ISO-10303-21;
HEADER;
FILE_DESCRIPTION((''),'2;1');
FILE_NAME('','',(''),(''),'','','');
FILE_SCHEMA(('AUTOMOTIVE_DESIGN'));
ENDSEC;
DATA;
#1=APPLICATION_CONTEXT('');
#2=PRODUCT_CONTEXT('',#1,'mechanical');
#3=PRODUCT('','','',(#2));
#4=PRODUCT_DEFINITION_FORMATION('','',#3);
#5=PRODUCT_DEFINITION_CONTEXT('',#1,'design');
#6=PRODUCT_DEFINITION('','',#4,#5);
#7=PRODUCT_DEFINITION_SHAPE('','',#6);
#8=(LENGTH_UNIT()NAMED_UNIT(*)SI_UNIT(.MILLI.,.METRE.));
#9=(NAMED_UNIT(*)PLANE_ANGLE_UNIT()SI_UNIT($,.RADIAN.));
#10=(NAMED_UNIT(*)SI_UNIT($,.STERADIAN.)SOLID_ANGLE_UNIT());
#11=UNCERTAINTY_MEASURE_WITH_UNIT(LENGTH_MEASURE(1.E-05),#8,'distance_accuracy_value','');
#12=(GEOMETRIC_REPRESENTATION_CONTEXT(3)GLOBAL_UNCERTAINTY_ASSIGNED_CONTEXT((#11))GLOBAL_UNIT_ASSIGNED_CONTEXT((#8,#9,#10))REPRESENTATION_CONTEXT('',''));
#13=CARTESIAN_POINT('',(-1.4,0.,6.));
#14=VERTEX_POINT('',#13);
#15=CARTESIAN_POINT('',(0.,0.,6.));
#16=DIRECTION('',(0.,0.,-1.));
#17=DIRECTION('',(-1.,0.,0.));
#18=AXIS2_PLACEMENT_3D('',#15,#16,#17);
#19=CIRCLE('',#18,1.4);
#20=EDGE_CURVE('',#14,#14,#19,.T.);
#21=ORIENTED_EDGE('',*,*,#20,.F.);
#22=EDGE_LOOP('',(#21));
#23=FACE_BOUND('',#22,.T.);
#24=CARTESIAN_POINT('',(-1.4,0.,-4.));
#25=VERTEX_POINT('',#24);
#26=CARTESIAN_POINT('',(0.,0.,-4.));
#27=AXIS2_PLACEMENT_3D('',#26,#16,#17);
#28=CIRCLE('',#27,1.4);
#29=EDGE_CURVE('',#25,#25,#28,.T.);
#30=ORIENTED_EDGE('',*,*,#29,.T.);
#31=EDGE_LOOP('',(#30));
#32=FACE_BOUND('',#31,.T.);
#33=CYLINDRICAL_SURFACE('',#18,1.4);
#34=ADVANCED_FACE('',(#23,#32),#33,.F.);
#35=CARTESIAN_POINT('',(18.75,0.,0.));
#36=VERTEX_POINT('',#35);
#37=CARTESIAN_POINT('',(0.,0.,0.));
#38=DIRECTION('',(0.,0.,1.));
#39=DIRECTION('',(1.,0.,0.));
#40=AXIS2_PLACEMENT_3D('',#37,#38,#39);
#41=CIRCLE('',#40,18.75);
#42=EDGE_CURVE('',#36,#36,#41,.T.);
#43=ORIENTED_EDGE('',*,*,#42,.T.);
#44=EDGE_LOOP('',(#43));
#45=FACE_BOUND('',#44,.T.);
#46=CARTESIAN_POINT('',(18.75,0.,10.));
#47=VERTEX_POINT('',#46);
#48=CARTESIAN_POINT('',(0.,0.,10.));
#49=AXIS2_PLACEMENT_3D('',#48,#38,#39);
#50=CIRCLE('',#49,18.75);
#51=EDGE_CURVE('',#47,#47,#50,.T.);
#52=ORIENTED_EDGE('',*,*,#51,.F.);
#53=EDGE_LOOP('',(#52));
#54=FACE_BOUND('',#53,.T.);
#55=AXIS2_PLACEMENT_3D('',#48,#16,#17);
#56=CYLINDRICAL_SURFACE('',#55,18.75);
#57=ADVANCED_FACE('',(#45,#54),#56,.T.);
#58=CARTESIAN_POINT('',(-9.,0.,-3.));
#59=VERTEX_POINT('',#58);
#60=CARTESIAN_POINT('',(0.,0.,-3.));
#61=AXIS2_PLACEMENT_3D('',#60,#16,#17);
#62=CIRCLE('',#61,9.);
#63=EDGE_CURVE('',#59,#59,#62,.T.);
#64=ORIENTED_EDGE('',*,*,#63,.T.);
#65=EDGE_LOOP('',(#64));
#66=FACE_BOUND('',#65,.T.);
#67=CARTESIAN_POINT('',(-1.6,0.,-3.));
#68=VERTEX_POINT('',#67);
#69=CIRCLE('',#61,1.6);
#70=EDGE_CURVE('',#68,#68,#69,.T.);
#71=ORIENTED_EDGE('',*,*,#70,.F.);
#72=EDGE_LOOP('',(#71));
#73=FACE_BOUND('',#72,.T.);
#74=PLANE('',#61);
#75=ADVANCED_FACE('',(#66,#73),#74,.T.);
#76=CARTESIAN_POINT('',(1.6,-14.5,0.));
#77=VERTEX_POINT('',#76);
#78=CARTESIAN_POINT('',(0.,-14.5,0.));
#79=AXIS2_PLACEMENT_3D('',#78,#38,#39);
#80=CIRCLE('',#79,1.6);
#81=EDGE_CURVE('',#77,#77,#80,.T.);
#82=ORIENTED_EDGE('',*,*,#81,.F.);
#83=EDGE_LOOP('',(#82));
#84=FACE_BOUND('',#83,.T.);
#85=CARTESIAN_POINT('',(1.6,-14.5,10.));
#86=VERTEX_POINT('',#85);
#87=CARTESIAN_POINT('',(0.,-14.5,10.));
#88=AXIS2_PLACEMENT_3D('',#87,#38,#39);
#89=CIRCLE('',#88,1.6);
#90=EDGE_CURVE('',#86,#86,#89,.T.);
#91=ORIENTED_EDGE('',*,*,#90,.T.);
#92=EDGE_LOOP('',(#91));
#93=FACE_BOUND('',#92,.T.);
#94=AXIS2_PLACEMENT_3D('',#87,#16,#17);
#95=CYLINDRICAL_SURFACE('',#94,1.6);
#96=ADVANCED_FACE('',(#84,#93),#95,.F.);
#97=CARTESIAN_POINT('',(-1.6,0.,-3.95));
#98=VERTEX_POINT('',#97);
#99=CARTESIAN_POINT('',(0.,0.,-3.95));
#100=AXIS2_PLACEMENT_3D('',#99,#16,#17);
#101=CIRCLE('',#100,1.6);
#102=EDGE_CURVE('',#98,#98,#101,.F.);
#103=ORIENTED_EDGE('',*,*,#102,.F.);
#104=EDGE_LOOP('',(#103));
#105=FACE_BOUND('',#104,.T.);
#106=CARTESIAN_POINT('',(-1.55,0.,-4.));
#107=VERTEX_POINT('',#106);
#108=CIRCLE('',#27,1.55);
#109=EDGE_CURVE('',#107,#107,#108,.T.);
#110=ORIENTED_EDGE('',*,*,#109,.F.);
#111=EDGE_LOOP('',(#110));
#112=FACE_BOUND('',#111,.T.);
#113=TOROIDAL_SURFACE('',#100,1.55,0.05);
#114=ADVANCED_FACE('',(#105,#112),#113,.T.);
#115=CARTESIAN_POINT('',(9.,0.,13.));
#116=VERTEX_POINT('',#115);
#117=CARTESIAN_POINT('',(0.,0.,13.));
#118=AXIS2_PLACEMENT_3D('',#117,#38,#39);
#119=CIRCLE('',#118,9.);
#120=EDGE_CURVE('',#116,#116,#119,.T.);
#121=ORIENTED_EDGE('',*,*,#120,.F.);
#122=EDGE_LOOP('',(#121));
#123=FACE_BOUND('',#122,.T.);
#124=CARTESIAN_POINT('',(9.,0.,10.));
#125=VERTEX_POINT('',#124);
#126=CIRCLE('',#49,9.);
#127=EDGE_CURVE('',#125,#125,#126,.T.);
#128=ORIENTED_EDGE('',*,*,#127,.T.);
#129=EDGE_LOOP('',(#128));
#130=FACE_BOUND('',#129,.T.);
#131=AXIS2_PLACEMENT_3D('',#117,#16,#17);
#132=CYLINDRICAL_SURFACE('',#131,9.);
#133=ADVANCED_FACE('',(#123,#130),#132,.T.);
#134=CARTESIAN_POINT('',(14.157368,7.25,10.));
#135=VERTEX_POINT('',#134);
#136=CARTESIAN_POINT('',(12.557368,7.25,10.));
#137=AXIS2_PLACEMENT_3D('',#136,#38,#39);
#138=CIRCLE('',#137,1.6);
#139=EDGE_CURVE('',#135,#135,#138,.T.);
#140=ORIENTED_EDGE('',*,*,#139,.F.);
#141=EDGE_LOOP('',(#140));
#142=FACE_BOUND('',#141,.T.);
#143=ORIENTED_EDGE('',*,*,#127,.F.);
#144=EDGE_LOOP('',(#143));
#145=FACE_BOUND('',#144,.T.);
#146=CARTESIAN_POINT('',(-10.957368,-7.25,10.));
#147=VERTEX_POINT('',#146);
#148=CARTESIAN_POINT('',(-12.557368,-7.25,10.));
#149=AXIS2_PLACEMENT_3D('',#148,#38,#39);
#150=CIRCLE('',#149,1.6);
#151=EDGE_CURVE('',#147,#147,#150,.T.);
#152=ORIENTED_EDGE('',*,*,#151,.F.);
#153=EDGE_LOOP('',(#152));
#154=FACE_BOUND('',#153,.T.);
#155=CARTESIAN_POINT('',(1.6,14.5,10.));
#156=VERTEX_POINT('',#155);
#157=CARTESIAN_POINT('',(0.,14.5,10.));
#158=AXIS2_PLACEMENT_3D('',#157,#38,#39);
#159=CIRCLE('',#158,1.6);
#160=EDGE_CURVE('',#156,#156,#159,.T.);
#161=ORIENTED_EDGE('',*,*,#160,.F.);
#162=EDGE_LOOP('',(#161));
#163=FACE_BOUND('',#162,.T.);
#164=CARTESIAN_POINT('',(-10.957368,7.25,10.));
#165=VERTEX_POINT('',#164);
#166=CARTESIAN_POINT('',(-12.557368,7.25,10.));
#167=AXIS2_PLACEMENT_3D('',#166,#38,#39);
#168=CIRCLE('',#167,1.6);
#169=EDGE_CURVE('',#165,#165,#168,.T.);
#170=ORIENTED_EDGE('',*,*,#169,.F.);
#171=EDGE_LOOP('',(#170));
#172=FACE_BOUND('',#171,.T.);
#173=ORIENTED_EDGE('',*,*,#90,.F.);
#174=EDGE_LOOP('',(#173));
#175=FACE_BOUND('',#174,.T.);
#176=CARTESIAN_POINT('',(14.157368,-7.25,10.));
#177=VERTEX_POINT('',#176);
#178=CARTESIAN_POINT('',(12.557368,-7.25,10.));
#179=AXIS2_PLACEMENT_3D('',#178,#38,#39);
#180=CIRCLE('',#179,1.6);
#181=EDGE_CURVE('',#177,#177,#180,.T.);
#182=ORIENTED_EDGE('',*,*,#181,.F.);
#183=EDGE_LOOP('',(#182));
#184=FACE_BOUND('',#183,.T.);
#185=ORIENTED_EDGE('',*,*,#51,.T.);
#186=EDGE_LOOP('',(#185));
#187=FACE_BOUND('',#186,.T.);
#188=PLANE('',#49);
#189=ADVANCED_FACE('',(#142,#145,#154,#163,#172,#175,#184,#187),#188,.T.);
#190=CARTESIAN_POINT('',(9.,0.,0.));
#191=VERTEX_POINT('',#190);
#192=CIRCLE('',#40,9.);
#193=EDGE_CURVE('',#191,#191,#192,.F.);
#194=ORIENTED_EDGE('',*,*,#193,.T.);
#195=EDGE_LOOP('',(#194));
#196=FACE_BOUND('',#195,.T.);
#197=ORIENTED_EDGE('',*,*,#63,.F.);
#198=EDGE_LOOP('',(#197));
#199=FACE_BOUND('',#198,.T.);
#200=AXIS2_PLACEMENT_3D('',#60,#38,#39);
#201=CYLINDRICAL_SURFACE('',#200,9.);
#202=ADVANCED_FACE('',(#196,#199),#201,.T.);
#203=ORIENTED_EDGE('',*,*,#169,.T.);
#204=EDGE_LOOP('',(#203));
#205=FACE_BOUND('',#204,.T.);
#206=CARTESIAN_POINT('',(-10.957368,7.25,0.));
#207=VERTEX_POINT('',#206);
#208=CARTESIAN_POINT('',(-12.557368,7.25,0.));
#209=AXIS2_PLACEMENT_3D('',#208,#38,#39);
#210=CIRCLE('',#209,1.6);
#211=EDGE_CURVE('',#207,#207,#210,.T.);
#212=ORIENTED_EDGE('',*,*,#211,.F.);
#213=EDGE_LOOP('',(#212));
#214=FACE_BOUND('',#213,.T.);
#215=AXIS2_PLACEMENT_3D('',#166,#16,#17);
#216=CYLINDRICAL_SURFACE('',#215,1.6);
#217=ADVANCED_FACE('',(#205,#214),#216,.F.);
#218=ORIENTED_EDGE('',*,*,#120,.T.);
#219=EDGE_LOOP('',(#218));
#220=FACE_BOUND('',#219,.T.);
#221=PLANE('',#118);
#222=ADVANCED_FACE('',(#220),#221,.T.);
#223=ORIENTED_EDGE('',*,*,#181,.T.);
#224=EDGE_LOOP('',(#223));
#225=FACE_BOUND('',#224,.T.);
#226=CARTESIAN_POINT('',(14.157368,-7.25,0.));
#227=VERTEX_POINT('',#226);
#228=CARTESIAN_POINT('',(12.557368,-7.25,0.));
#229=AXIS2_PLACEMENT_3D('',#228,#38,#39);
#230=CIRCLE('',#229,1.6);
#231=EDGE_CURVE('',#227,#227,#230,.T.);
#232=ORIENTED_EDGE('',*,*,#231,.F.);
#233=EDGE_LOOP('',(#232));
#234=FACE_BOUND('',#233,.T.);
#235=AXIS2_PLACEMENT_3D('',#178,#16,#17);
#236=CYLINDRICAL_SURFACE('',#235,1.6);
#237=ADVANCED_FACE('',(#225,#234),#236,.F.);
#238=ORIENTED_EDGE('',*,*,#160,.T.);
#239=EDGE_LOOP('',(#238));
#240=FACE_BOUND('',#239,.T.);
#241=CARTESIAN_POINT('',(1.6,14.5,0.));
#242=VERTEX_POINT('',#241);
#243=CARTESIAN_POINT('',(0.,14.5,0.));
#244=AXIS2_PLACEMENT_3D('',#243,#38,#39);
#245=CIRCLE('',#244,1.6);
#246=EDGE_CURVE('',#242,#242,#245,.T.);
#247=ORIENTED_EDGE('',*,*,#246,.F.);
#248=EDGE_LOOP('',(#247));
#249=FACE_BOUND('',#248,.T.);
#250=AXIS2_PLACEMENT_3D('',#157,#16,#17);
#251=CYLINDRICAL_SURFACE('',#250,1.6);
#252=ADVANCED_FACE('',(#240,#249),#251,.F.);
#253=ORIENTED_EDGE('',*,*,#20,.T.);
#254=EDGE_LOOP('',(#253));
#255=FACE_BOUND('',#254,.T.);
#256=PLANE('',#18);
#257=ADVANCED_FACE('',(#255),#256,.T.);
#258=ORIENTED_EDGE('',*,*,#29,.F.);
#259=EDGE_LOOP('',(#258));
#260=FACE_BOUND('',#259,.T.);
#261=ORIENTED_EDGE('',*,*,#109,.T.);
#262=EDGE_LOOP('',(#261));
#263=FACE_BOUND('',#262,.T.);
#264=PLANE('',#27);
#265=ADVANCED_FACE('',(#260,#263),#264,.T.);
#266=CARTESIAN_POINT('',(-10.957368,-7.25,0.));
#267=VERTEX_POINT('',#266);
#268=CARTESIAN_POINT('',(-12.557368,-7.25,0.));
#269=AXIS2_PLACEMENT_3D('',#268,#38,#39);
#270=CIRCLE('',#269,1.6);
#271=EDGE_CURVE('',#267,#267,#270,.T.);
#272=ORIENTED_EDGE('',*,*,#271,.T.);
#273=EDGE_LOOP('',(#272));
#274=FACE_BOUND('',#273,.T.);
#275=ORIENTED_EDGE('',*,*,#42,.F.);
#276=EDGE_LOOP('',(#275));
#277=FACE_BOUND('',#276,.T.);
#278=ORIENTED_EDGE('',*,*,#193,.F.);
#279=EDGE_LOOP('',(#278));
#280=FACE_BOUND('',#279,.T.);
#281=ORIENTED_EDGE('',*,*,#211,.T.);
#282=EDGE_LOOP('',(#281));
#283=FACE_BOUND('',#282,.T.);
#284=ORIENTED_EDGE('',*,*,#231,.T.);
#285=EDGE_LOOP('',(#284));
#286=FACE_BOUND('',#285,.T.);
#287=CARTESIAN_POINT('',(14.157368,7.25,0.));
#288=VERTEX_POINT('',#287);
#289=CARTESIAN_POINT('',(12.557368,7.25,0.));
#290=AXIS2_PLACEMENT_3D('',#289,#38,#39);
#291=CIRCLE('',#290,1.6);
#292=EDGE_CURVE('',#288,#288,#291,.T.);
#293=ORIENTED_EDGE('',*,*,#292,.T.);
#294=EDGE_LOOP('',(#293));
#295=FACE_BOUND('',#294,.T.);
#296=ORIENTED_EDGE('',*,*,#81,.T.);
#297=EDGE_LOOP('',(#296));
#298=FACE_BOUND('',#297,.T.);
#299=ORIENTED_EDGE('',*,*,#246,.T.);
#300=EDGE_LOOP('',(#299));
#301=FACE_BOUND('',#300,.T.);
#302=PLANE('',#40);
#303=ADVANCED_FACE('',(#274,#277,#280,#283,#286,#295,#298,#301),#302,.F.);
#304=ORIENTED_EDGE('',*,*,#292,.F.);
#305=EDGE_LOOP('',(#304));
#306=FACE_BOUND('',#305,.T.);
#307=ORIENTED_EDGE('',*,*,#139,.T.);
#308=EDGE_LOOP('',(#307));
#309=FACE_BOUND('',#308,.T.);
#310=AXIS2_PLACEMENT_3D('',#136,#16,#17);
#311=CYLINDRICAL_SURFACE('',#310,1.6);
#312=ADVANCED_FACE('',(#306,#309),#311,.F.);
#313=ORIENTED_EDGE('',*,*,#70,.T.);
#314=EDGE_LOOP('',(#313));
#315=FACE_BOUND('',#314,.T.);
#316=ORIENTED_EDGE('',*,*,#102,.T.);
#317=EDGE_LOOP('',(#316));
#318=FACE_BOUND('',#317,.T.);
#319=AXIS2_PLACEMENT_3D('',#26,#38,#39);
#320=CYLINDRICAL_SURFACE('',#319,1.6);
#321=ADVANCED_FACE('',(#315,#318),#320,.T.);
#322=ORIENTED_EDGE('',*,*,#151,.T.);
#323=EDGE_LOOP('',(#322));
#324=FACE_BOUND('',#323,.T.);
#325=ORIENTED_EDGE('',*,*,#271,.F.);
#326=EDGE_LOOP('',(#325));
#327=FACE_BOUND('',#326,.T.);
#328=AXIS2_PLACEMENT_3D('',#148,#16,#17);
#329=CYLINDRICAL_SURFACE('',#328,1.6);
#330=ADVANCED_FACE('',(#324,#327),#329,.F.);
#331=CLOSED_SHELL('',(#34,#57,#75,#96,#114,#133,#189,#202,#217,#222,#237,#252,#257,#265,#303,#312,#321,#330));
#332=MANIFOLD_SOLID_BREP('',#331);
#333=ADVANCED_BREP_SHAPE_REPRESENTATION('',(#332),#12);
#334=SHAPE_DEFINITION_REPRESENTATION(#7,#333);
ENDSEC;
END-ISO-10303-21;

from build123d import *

# Parameters (mm, degrees)
SKETCH2_R           = 18.75
SKETCH2_R_2         = 1.6
BOSS_EXTRUDE1_DEPTH = 10
SKETCH3_R           = 9
BOSS_EXTRUDE2_DEPTH = 3
BOSS_EXTRUDE4_START = 3
SKETCH6_R           = 9
BOSS_EXTRUDE4_DEPTH = 3
SKETCH7_R           = 1.6
BOSS_EXTRUDE5_DEPTH = 1
FILLET2_R           = 0.05
SKETCH9_R           = 1.4
CUT_EXTRUDE1_DEPTH  = 10


with BuildPart() as part:
    # Sketch2 → Boss-Extrude1 (new body)
    with BuildSketch(Plane.XY):
        Circle(SKETCH2_R)
        with Locations((0, 14.5)):
            Circle(SKETCH2_R_2, mode=Mode.SUBTRACT)
        with Locations((12.557368355, 7.25)):
            Circle(SKETCH2_R_2, mode=Mode.SUBTRACT)
        with Locations((12.557368355, -7.25)):
            Circle(SKETCH2_R_2, mode=Mode.SUBTRACT)
        with Locations((0, -14.5)):
            Circle(SKETCH2_R_2, mode=Mode.SUBTRACT)
        with Locations((-12.557368355, -7.25)):
            Circle(SKETCH2_R_2, mode=Mode.SUBTRACT)
        with Locations((-12.557368355, 7.25)):
            Circle(SKETCH2_R_2, mode=Mode.SUBTRACT)
    extrude(amount=BOSS_EXTRUDE1_DEPTH)

    # Sketch3 → Boss-Extrude2 (add)
    with BuildSketch(Plane.XY.offset(10)):
        Circle(SKETCH3_R)
    extrude(amount=BOSS_EXTRUDE2_DEPTH)

    # Sketch6 → Boss-Extrude4 (add)
    with BuildSketch(Plane(origin=(0, 0, 0), x_dir=(-1, 0, 0), z_dir=(0, 0, -1)).offset(BOSS_EXTRUDE4_START)):
        with Locations(Location((0, 0, 0), (0, 0, 180))):
            Circle(SKETCH6_R)
    extrude(amount=-BOSS_EXTRUDE4_DEPTH)

    # Sketch7 → Boss-Extrude5 (add)
    with BuildSketch(Plane(origin=(0, 0, -3), x_dir=(-1, 0, 0), z_dir=(0, 0, -1))):
        Circle(SKETCH7_R)
    extrude(amount=BOSS_EXTRUDE5_DEPTH)

    # Fillet2
    fillet2_edges = [part.edges().sort_by_distance(p)[0] for p in [
        (1.6, 0, -4),
    ]]
    fillet(fillet2_edges, radius=FILLET2_R)

    # Sketch9 → Cut-Extrude1 (cut)
    with BuildSketch(Plane(origin=(0, 0, -4), x_dir=(-1, 0, 0), z_dir=(0, 0, -1))):
        Circle(SKETCH9_R)
    extrude(amount=-CUT_EXTRUDE1_DEPTH, mode=Mode.SUBTRACT)


solid = part.part
